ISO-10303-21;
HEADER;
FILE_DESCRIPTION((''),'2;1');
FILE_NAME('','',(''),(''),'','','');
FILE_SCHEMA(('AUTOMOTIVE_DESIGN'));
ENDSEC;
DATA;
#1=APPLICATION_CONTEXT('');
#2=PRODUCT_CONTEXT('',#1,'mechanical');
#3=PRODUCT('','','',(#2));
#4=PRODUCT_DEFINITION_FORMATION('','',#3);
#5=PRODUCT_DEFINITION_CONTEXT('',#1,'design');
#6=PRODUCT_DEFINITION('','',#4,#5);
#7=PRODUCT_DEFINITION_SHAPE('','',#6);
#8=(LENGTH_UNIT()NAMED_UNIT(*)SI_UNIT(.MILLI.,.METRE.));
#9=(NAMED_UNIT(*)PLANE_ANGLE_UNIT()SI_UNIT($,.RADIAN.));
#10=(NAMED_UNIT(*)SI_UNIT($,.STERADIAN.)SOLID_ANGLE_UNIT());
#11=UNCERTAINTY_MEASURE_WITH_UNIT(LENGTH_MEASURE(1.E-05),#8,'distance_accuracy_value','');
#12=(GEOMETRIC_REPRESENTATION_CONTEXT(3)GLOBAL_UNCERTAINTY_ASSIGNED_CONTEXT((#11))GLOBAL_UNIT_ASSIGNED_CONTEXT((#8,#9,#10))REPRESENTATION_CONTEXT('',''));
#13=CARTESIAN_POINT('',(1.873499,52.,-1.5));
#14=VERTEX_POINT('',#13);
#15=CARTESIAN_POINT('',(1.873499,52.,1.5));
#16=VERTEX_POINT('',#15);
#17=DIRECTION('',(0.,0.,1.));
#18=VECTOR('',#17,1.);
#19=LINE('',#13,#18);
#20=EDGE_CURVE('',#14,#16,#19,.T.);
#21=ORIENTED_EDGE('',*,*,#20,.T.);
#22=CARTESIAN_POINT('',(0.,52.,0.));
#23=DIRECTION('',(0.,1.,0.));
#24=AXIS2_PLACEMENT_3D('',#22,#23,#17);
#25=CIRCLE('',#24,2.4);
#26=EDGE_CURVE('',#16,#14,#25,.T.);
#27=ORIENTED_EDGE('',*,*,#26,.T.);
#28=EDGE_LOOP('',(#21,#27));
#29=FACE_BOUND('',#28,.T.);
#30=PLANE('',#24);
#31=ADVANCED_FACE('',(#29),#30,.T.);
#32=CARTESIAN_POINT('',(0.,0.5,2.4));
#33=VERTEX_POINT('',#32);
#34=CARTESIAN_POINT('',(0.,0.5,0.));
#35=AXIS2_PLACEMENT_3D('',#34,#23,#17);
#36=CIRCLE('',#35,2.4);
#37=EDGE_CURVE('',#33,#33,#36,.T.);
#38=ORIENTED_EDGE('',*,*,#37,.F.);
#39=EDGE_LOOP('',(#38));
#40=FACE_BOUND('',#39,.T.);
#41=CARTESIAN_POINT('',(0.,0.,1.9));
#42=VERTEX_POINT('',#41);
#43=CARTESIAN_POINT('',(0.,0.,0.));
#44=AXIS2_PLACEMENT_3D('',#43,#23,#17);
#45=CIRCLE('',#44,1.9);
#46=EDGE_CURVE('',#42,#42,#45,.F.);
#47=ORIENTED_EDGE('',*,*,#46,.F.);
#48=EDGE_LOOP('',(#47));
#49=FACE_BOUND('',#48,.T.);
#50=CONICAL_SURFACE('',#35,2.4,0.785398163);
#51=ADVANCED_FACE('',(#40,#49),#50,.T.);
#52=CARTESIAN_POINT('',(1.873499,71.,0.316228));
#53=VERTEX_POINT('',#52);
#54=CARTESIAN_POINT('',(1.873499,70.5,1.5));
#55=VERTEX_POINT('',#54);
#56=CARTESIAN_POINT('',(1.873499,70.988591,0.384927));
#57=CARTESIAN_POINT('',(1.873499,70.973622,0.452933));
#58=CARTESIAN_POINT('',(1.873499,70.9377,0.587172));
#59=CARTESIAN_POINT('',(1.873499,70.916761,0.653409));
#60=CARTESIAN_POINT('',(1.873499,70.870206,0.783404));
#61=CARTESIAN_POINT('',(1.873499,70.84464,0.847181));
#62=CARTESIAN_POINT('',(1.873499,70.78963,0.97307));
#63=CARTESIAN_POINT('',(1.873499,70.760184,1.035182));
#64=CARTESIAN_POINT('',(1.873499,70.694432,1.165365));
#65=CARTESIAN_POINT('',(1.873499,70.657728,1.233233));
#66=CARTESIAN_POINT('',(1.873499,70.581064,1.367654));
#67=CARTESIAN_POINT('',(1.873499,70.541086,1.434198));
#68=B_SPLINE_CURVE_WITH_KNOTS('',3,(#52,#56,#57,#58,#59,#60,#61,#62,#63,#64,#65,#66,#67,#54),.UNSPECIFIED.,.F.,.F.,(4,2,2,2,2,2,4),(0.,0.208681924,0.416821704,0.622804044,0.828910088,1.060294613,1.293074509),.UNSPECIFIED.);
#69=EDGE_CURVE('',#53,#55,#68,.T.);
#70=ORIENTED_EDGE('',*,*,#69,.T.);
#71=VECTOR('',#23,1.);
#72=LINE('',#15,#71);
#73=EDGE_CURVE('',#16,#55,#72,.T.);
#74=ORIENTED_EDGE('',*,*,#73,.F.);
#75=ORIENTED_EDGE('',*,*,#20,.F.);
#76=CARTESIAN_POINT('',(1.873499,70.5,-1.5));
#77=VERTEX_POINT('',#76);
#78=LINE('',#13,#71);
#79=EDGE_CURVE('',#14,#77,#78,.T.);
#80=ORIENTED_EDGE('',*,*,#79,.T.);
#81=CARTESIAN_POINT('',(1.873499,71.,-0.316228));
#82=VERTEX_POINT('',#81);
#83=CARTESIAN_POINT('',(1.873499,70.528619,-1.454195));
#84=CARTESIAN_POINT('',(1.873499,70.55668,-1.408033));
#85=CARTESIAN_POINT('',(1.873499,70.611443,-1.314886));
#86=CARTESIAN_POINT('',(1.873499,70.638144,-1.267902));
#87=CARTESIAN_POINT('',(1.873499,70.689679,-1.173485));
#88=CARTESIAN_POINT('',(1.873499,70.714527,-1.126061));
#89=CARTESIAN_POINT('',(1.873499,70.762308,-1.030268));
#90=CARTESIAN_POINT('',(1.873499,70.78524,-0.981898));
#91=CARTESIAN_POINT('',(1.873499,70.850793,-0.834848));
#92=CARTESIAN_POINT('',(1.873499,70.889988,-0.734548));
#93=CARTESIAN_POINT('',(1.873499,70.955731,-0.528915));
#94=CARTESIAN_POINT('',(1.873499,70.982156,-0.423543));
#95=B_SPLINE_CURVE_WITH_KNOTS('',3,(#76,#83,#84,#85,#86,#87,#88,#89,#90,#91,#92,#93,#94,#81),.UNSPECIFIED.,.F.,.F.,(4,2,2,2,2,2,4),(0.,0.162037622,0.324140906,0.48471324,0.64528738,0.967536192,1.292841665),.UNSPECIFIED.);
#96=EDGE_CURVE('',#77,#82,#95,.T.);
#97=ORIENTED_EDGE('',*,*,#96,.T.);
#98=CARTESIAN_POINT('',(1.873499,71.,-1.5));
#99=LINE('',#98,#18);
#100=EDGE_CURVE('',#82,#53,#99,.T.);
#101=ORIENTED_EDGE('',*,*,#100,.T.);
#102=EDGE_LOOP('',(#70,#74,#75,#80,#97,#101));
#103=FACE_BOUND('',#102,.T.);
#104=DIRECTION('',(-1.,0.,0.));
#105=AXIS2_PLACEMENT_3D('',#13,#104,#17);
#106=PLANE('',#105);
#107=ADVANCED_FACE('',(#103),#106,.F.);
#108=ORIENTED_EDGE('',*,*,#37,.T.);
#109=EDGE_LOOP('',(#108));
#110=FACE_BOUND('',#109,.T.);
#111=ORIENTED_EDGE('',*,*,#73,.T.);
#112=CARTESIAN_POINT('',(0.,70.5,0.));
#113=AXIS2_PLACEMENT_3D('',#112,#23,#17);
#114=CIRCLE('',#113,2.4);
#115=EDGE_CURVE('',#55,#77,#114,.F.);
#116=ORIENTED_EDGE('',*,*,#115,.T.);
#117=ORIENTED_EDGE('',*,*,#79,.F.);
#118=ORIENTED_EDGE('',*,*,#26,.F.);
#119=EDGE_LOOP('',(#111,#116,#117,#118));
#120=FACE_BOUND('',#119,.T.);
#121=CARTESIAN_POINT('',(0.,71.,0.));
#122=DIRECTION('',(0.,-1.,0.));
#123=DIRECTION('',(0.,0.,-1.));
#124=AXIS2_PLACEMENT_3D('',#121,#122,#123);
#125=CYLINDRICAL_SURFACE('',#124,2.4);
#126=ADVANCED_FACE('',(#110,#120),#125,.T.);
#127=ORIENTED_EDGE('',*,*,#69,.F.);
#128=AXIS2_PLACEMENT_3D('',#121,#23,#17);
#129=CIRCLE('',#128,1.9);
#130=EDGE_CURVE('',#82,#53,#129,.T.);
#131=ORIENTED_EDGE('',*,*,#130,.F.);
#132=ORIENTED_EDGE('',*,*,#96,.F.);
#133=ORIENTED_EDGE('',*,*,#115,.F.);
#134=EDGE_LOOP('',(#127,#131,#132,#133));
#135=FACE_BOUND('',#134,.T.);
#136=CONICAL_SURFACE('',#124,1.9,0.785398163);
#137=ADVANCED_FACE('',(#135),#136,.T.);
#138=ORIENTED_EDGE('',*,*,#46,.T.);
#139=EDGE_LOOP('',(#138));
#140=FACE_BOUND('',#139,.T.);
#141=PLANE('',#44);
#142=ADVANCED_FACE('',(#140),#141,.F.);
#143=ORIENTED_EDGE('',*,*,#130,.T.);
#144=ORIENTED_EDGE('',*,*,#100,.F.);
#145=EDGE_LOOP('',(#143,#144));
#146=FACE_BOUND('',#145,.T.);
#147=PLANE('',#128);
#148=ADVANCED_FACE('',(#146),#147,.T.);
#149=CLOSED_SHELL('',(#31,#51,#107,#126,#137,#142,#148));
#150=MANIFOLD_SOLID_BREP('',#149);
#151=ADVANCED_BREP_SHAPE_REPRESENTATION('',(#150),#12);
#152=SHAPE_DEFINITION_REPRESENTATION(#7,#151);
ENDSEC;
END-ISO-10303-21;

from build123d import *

# Parameters (mm, degrees)
SKETCH1_R           = 2.4
BOSS_EXTRUDE1_DEPTH = 71
CUT_EXTRUDE1_START  = -19
CUT_EXTRUDE1_DEPTH  = 19
CHAMFER1_SIZE       = 0.5


with BuildPart() as part:
    # Sketch1 → Boss-Extrude1 (new body)
    with BuildSketch(Plane(origin=(0, 0, 0), x_dir=(1, 0, 0), z_dir=(0, 1, 0))):
        Circle(SKETCH1_R)
    extrude(amount=BOSS_EXTRUDE1_DEPTH)

    # Sketch2 → Cut-Extrude1 (cut)
    with BuildSketch(Plane(origin=(0, 71, 0), x_dir=(1, 0, 0), z_dir=(0, 1, 0)).offset(CUT_EXTRUDE1_START)):
        with BuildLine():
            Line((1.8734994, 1.5), (1.8734994, -1.5))
            ThreePointArc((1.8734994, -1.5), (2.4, 0), (1.8734994, 1.5))
        make_face()
    extrude(amount=CUT_EXTRUDE1_DEPTH, mode=Mode.SUBTRACT)

    # Chamfer1
    chamfer1_edges = [part.edges().sort_by_distance(p)[0] for p in [
        (-2.4, 0, 0),
        (-2.4, 71, 0),
    ]]
    chamfer(chamfer1_edges, length=CHAMFER1_SIZE)


solid = part.part
